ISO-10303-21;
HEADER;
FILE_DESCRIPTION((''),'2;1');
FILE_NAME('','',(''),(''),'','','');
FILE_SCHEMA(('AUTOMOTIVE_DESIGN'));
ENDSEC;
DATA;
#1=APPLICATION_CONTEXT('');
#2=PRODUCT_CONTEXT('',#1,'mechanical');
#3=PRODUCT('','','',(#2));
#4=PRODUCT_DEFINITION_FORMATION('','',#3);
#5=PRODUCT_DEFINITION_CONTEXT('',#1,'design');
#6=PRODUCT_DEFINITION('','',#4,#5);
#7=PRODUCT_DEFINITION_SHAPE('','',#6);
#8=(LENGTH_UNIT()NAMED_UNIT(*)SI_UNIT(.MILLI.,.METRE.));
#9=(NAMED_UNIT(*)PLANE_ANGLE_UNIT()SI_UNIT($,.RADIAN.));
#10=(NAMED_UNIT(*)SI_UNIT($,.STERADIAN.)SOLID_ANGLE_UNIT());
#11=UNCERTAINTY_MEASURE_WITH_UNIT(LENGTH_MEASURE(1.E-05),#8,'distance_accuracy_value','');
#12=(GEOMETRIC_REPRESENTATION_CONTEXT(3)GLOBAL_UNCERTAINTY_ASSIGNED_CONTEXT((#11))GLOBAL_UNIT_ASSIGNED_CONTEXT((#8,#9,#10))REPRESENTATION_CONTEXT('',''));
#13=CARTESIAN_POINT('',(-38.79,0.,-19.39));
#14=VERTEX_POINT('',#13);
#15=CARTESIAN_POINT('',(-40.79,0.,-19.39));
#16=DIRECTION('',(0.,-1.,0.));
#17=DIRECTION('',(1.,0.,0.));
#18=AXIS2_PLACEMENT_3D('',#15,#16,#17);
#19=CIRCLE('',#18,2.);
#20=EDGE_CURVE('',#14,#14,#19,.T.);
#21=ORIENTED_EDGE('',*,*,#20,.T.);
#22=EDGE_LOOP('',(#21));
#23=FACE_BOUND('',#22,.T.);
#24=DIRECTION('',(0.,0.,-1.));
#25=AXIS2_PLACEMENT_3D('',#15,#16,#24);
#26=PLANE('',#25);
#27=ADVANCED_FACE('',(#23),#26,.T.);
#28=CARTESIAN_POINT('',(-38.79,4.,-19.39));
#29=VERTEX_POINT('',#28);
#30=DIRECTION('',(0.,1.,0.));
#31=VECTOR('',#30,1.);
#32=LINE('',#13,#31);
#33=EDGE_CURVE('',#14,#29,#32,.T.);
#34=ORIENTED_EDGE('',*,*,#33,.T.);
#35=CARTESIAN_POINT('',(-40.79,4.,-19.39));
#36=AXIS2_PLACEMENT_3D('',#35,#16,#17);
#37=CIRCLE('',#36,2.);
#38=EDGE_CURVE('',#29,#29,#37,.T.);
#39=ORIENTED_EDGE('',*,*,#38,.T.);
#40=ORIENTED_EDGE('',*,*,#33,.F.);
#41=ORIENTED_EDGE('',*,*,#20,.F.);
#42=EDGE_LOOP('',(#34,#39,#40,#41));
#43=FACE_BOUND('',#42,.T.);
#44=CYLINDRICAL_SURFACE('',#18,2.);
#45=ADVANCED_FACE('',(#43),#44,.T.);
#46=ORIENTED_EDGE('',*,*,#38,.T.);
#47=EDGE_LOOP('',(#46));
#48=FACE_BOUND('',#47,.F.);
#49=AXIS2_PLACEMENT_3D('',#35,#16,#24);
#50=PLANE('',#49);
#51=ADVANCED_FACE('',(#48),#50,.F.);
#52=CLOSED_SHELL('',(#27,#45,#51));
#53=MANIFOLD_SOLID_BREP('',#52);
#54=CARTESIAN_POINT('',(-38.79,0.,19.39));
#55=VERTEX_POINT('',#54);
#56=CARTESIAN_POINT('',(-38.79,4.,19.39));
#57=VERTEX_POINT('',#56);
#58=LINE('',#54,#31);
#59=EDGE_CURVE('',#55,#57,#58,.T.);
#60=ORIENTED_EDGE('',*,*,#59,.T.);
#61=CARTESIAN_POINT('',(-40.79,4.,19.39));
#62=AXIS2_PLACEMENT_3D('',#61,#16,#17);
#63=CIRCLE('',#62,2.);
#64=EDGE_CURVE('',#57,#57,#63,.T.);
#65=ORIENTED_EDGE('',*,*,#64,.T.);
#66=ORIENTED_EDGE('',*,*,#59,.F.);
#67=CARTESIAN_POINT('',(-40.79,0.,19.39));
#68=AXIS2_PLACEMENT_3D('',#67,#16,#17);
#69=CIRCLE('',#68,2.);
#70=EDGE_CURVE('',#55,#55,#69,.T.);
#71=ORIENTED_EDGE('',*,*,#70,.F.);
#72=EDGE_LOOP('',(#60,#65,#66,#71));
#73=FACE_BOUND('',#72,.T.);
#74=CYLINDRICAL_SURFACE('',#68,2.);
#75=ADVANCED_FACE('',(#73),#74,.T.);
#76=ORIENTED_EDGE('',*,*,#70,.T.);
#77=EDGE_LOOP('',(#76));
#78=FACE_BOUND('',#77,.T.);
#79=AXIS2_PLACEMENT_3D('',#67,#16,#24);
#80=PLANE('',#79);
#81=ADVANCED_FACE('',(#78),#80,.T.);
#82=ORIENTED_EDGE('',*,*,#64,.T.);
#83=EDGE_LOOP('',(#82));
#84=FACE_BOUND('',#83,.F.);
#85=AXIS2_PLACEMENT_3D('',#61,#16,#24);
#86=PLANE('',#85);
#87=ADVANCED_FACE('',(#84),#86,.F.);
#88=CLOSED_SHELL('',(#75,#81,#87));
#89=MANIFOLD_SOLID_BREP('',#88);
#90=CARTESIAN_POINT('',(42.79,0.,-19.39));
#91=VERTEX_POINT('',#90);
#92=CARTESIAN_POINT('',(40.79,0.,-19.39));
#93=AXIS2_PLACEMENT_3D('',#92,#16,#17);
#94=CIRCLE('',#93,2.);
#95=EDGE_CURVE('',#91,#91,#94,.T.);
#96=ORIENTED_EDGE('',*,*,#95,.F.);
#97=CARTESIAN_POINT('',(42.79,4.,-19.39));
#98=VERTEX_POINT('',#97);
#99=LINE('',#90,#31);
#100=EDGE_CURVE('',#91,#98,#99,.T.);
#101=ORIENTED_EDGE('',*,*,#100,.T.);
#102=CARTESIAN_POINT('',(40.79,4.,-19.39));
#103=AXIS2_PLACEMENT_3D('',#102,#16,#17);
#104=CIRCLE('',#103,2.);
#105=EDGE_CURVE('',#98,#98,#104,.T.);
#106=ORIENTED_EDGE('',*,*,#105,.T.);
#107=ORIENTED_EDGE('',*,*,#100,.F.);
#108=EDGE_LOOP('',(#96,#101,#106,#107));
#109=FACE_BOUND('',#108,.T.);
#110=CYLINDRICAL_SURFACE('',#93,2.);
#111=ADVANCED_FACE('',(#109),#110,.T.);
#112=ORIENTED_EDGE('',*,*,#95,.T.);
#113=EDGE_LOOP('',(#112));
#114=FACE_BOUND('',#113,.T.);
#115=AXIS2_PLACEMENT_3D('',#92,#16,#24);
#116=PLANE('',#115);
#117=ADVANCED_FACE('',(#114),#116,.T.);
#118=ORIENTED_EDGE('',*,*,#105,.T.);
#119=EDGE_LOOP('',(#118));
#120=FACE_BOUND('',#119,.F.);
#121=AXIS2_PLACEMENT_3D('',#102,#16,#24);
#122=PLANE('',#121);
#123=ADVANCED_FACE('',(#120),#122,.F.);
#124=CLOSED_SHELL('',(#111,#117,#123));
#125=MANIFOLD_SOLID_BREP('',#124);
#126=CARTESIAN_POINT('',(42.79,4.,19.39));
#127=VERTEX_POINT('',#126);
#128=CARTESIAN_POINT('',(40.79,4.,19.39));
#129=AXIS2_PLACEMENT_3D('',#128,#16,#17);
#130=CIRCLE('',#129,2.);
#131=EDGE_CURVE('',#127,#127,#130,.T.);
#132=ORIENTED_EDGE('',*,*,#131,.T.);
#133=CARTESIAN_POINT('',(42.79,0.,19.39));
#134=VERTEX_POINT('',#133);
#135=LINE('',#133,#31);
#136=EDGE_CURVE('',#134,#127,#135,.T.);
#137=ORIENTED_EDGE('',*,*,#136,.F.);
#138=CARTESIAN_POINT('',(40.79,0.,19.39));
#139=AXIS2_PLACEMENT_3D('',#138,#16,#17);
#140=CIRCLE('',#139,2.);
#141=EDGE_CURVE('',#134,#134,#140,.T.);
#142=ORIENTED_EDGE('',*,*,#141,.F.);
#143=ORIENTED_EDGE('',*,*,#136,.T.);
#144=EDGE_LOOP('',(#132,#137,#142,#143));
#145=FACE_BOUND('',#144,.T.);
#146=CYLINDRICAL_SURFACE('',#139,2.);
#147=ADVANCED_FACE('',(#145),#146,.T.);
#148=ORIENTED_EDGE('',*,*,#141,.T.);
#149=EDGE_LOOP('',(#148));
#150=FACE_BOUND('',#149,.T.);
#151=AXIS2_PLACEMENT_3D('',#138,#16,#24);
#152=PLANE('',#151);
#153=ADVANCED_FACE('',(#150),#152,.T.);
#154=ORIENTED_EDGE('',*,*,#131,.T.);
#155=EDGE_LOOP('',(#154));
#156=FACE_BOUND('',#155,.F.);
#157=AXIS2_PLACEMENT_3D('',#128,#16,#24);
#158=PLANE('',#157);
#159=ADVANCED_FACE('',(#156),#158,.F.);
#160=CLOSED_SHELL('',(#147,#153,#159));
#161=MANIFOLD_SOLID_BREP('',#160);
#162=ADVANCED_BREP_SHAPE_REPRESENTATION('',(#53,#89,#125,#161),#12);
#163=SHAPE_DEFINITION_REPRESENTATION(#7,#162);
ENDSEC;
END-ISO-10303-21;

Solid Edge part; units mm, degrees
sketch "Sketch1" plane through (0, 0, 0) normal (0, -1, 0) x (1, 0, 0)
  circle A0 centre (-40.79, -19.39) radius 2
  circle A1 centre (40.79, -19.39) radius 2
  circle A2 centre (40.79, 19.39) radius 2
  circle A3 centre (-40.79, 19.39) radius 2
  dimension "D1" = 19.39
  dimension "D2" = 19.39
  dimension "D3" = 40.79
  dimension "D4" = 40.79
  dimension "D5" = 19.39
  dimension "D6" = 19.39
extrude "Protrusion1" add sketch "Sketch1" against normal blind 4
